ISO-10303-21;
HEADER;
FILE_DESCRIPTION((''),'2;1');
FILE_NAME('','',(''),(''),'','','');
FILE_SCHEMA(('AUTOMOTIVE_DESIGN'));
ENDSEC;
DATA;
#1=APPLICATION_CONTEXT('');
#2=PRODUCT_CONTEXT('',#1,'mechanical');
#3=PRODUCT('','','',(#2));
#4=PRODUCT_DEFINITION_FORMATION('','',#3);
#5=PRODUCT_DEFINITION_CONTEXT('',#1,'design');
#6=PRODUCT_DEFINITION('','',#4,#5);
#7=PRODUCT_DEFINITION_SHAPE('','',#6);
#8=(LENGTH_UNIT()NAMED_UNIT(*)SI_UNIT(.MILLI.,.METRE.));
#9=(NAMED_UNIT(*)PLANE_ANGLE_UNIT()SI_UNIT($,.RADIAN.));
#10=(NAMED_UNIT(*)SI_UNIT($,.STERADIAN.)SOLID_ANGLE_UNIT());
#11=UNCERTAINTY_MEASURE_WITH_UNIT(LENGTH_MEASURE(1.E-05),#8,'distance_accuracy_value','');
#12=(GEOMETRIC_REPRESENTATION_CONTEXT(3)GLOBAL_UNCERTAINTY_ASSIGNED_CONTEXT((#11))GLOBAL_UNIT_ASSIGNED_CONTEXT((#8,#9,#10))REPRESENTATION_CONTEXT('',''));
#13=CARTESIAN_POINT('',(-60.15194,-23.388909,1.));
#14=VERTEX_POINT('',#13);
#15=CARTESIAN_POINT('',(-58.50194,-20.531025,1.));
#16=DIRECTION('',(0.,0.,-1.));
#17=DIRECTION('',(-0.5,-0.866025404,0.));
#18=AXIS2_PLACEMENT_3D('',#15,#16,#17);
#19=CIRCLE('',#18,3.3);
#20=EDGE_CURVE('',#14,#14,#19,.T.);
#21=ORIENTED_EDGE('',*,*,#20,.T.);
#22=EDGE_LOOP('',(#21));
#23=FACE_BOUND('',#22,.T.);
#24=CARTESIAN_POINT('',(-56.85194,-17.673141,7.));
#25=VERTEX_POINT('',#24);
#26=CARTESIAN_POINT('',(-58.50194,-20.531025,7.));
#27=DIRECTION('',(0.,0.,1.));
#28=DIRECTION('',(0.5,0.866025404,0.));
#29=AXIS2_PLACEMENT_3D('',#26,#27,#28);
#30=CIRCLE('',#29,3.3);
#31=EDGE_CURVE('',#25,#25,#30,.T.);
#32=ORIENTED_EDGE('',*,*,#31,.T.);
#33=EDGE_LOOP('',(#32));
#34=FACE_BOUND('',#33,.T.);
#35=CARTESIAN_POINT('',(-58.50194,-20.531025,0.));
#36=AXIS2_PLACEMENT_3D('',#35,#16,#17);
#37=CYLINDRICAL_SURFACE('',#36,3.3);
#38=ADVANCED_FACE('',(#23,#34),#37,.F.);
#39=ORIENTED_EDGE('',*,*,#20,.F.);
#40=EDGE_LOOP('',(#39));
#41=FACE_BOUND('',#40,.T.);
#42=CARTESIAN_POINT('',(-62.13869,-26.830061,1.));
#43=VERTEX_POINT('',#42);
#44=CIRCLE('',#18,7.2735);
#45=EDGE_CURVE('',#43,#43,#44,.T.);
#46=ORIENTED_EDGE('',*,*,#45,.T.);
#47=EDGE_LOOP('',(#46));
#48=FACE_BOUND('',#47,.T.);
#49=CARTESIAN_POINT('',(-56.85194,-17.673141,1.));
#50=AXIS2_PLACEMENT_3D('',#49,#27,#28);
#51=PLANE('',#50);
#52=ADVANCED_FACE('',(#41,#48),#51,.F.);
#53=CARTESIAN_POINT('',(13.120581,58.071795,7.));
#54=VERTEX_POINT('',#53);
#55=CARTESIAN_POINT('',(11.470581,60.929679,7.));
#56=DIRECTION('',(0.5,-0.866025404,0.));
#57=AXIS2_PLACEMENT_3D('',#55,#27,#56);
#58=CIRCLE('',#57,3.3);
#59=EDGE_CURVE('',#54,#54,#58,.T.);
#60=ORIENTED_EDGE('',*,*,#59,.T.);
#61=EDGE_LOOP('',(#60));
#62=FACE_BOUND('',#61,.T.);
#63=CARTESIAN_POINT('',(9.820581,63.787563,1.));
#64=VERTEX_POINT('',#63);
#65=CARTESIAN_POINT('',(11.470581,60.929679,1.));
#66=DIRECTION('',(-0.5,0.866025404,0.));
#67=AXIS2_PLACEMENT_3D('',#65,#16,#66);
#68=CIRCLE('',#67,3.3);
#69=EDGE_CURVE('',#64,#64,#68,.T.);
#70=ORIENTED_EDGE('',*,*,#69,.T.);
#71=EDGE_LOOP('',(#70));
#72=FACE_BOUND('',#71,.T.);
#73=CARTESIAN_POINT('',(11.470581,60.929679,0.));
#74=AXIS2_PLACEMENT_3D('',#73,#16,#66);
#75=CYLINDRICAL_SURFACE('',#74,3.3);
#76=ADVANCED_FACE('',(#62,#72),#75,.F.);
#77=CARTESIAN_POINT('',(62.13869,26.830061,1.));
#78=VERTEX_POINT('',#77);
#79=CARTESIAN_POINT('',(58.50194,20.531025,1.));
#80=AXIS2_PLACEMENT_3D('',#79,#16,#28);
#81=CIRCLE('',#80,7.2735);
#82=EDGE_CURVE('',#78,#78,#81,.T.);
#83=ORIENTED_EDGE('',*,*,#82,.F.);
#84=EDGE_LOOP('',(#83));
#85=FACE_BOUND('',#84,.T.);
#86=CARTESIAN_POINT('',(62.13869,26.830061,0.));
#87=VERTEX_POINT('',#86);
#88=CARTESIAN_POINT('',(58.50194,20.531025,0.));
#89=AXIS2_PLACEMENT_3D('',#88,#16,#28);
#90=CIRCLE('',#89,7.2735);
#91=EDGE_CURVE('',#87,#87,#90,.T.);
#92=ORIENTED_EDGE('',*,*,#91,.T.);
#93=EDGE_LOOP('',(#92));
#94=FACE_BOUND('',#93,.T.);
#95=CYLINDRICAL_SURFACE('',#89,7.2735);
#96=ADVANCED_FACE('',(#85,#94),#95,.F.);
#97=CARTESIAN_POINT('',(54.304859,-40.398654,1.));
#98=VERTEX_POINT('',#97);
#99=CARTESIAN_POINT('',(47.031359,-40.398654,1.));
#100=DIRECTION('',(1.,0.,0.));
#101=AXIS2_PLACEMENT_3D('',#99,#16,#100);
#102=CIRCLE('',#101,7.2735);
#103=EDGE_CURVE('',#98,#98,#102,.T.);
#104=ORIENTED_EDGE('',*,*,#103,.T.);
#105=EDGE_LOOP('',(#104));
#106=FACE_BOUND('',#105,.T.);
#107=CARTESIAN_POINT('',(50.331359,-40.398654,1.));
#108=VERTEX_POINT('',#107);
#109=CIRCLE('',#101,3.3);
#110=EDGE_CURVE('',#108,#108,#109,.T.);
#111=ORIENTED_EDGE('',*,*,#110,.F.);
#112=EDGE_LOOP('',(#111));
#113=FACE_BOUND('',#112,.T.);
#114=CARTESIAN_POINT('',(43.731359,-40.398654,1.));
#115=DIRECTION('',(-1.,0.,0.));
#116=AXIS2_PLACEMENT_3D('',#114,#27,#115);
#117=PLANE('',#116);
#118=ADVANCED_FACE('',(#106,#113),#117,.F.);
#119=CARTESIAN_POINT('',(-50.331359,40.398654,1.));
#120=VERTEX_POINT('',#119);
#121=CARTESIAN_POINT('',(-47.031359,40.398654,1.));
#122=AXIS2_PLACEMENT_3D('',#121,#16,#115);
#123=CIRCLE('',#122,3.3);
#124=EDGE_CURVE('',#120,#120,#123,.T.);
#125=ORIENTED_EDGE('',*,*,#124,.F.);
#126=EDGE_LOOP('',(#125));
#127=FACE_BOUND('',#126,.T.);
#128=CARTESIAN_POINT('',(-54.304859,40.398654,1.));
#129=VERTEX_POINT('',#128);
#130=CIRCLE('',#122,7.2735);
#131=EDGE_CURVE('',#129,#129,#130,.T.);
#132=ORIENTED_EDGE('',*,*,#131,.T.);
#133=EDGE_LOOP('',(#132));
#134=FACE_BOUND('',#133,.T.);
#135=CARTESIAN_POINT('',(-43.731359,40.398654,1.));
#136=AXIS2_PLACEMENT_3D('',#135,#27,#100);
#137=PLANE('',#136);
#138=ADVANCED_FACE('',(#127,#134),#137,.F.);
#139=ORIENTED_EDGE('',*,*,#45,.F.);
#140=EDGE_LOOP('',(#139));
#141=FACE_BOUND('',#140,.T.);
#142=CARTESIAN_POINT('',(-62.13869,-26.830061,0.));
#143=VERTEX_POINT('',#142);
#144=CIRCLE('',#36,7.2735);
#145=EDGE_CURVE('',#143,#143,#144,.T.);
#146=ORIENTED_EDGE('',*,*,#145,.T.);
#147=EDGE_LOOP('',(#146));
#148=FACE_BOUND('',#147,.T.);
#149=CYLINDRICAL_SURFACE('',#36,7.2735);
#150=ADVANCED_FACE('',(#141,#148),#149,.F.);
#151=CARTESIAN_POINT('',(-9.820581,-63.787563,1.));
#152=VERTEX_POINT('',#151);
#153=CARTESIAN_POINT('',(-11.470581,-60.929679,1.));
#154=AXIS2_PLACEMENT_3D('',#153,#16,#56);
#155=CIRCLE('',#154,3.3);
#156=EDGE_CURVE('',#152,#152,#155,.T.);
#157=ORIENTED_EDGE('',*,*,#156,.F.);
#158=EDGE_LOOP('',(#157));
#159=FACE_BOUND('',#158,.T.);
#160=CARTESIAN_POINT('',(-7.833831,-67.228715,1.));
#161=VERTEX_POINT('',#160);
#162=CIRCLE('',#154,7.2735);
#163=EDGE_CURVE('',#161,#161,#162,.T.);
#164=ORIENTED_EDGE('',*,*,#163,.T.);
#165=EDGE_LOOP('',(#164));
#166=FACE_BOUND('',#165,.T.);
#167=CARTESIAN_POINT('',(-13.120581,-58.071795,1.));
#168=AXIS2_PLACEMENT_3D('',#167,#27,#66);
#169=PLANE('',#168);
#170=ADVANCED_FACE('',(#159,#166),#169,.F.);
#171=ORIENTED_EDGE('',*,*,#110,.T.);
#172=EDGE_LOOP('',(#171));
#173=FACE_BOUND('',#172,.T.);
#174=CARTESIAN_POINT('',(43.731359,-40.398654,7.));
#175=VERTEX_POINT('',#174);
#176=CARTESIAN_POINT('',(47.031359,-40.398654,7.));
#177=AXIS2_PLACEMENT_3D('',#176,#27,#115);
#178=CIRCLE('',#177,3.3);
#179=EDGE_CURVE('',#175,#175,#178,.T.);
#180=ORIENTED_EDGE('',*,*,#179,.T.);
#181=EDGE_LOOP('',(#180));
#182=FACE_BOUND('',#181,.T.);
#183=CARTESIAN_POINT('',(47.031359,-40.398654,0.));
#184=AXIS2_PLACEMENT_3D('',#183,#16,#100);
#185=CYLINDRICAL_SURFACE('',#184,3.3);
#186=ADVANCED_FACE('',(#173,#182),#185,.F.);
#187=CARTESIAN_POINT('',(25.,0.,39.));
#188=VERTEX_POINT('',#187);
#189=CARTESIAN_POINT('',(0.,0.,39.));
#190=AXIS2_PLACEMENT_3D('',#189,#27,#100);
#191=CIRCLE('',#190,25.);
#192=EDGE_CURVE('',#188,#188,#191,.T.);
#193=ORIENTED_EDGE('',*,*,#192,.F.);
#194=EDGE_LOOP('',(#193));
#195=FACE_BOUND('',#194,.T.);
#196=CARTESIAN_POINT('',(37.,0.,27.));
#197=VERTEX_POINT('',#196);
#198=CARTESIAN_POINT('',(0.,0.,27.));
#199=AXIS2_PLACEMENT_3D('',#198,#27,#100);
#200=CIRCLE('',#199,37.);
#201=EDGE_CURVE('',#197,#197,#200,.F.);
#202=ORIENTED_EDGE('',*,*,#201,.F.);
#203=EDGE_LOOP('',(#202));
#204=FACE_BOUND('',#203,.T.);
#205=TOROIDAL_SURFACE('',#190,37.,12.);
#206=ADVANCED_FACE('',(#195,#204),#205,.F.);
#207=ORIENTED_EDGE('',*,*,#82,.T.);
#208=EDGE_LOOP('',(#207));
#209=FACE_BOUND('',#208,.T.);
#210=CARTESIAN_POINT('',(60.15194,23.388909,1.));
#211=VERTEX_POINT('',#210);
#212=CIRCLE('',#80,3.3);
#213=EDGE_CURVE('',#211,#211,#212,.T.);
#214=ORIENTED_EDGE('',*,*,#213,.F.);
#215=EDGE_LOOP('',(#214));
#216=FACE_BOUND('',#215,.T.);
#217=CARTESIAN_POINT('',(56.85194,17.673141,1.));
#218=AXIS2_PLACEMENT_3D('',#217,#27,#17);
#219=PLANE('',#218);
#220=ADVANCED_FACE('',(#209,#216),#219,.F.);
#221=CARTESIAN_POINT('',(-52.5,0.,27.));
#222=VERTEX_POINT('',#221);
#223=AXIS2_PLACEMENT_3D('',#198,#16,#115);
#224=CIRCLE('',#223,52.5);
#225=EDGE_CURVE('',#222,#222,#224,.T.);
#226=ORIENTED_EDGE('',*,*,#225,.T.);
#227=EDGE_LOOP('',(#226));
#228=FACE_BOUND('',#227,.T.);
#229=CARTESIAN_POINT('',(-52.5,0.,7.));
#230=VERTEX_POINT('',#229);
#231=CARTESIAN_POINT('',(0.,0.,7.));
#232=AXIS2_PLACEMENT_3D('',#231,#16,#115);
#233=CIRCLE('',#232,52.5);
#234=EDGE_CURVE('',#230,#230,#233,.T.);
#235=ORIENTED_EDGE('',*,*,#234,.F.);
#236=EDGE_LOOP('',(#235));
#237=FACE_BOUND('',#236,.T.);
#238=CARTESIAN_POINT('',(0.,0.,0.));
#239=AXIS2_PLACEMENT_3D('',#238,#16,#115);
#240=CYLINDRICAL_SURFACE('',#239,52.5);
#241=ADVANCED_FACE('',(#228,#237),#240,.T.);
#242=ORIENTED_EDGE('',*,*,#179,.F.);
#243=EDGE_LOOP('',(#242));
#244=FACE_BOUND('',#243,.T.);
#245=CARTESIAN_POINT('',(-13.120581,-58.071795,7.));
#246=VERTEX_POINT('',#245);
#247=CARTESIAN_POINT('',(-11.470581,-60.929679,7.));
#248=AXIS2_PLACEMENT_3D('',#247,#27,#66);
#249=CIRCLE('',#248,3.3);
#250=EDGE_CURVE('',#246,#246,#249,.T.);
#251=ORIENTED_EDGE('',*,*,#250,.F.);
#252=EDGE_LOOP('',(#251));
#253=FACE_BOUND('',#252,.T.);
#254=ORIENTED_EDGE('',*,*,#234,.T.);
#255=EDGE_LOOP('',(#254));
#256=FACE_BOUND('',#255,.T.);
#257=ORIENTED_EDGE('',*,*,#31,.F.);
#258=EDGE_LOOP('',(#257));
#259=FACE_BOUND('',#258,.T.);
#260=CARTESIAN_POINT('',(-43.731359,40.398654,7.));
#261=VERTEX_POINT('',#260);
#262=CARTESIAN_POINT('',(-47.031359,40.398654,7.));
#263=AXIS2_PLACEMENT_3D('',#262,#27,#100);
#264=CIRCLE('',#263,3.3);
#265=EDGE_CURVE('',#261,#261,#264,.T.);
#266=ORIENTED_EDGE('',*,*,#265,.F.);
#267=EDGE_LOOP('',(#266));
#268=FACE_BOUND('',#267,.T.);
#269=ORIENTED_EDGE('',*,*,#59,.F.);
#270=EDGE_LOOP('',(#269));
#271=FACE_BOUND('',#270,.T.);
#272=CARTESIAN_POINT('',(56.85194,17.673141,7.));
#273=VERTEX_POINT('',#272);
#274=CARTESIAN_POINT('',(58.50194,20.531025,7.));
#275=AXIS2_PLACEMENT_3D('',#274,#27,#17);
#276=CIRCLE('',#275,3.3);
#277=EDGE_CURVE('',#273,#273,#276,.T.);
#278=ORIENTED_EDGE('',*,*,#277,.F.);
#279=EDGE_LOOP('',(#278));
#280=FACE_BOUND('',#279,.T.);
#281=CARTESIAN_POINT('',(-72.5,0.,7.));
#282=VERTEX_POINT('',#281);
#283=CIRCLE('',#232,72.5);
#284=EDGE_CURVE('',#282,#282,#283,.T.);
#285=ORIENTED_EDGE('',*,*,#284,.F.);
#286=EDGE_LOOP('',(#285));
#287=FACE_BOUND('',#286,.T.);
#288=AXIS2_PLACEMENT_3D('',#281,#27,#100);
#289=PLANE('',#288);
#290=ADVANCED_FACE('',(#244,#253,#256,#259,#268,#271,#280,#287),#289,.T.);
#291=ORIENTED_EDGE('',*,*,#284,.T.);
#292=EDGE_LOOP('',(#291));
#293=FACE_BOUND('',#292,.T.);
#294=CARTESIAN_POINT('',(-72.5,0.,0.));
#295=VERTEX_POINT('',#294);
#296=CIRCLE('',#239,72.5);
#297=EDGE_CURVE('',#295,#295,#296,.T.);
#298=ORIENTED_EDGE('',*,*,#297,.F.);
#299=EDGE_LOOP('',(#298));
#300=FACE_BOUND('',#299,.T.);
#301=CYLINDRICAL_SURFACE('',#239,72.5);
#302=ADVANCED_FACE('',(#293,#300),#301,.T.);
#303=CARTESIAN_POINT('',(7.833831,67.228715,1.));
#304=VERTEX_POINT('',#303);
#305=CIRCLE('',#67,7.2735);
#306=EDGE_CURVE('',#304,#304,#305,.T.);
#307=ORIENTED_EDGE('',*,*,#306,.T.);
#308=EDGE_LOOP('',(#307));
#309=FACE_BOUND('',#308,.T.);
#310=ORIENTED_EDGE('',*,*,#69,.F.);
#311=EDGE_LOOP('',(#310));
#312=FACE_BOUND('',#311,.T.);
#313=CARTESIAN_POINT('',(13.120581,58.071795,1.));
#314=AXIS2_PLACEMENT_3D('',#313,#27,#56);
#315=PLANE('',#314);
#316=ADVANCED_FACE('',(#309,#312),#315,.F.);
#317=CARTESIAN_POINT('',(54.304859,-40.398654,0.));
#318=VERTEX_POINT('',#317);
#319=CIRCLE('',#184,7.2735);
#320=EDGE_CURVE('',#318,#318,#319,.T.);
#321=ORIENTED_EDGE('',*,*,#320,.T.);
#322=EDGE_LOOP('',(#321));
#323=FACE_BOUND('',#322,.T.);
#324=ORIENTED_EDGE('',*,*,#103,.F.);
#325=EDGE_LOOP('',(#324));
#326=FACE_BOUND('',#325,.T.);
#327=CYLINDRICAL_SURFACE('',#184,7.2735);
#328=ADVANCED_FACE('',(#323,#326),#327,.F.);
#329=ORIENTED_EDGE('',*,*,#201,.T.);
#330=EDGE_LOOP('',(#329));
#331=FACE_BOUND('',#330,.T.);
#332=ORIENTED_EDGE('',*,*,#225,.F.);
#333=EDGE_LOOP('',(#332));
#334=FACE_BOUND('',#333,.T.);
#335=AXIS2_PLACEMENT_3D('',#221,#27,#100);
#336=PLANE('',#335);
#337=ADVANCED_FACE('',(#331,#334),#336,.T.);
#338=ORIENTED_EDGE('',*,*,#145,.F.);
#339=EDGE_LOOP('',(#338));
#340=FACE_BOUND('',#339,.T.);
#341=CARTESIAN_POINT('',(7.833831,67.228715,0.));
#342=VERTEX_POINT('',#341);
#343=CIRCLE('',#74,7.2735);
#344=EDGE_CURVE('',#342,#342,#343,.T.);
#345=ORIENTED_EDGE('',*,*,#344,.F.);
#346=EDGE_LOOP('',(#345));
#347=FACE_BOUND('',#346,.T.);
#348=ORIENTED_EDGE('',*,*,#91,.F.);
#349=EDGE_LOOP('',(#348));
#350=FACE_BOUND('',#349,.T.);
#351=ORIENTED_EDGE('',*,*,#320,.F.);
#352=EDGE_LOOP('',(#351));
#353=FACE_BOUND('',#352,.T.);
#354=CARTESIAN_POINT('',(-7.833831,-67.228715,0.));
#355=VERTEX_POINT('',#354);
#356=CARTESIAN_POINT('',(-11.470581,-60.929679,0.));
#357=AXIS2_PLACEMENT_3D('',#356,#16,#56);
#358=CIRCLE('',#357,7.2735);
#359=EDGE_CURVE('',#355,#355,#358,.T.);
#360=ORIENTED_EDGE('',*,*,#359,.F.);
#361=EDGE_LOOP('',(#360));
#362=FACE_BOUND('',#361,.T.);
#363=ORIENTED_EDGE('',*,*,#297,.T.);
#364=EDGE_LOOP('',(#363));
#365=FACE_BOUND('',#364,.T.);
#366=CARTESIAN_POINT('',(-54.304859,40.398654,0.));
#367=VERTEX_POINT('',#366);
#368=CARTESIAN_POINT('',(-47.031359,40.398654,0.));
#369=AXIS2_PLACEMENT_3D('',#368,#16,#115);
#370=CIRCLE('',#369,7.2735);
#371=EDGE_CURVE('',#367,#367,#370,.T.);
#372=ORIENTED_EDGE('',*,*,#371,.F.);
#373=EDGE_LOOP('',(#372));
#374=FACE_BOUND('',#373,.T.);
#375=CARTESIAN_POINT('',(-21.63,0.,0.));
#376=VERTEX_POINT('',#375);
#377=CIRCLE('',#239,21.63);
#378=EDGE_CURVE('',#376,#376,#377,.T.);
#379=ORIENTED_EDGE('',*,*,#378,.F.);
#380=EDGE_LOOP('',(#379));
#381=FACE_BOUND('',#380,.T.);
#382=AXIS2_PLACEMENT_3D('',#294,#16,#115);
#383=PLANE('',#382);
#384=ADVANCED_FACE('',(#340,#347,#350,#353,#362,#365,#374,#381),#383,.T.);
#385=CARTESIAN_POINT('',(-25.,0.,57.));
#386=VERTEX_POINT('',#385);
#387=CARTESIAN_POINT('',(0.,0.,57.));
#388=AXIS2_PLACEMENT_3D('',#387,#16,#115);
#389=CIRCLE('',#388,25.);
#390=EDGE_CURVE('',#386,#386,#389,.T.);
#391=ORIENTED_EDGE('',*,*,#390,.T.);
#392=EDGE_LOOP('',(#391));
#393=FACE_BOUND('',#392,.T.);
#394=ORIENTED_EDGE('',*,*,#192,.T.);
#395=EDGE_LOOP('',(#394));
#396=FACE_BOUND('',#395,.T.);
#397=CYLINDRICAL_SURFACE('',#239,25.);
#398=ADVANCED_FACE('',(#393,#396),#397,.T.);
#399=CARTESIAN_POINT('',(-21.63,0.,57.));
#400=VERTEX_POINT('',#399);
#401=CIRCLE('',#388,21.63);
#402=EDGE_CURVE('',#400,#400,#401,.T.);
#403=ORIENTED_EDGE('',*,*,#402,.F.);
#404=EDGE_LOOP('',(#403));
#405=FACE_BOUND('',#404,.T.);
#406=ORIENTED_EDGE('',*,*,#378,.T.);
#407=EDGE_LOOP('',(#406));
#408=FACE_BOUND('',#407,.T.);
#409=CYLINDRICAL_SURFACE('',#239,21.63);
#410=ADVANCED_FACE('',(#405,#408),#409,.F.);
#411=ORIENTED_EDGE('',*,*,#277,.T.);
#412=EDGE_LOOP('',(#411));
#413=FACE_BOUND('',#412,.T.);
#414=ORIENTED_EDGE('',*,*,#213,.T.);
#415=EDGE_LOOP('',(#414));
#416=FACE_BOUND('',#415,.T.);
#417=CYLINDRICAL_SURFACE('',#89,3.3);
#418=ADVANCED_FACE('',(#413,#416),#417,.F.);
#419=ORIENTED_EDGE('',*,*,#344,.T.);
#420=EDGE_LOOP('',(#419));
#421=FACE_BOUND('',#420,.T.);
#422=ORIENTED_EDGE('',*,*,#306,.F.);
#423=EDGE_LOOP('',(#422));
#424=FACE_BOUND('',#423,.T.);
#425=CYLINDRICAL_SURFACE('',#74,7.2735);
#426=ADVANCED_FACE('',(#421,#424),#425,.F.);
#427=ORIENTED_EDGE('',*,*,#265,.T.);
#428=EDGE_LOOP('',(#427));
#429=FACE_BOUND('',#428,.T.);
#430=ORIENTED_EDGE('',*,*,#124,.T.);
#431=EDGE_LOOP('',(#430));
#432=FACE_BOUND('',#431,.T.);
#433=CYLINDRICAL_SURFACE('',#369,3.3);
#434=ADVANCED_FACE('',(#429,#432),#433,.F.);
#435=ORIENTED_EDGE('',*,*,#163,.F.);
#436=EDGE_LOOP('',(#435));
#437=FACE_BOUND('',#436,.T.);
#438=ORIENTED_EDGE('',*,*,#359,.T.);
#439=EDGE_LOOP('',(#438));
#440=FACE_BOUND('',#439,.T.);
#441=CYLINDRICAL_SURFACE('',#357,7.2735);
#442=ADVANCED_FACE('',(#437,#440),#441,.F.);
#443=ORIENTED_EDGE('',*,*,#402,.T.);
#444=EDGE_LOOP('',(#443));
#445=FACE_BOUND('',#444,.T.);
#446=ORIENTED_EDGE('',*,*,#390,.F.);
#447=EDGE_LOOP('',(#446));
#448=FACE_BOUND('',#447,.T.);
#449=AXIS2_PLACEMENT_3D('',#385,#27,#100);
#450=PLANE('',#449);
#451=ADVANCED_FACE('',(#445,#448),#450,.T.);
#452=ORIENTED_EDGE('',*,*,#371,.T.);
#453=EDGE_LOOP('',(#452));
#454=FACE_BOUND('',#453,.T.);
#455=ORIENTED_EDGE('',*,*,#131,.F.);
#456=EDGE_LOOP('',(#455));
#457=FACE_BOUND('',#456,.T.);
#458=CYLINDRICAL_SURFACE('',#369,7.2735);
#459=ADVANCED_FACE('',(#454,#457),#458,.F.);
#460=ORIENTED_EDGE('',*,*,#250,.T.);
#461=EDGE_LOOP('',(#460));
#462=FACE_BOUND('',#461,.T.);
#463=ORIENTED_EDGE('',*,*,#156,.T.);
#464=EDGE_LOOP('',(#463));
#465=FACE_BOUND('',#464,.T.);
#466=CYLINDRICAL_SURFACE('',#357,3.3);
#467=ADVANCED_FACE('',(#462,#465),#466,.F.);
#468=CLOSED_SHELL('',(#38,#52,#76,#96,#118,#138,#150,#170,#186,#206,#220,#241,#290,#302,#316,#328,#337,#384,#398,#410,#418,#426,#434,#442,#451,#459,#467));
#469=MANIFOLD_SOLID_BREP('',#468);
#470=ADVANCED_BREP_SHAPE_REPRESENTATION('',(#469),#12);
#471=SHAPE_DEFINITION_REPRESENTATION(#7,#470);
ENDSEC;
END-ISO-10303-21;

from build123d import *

# Parameters (mm, degrees)
FILLET1_R                               = 12
CBORE_FOR_M6_HEX_HEAD_BOLT1_D           = 6.6
CBORE_FOR_M6_HEX_HEAD_BOLT1_CBORE_D     = 14.547
CBORE_FOR_M6_HEX_HEAD_BOLT1_CBORE_DEPTH = 1
CIRPATTERN1_COUNT                       = 6


with BuildPart() as part:
    # Sketch2 → Revolve1 (revolve)
    with BuildSketch(Plane(origin=(0, 0, 0), x_dir=(1, 0, 0), z_dir=(0, 1, 0))):
        Polygon((-72.5, 0), (-72.5, -7), (-52.5, -7), (-52.5, -27), (-25, -27), (-25, -57), (-21.63, -57), (-21.63, 0), align=None)
    revolve(axis=Axis((0, 0, 0), (0, 0, 1)))

    # Fillet1
    fillet1_edges = [part.edges().sort_by_distance(p)[0] for p in [
        (25, 0, 27),
    ]]
    fillet(fillet1_edges, radius=FILLET1_R)

    # CBORE for M6 Hex Head Bolt1 (through all)
    with Locations(Plane(origin=(-47.031359199, 40.398654085, 0), x_dir=(-1, 0, 0), z_dir=(0, 0, -1))):
        with Locations((0, 0)):
            cbore_for_m6_hex_head_bolt1 = CounterBoreHole(CBORE_FOR_M6_HEX_HEAD_BOLT1_D / 2, CBORE_FOR_M6_HEX_HEAD_BOLT1_CBORE_D / 2, CBORE_FOR_M6_HEX_HEAD_BOLT1_CBORE_DEPTH)

    # CirPattern1: CBORE for M6 Hex Head Bolt1 ×6 about axis
    cirpattern1_axis = Axis((0, 0, 0), (0, 0, 1))
    for i in range(1, CIRPATTERN1_COUNT):
        add(cbore_for_m6_hex_head_bolt1.rotate(cirpattern1_axis, i * 360 / CIRPATTERN1_COUNT), mode=Mode.SUBTRACT)


solid = part.part
